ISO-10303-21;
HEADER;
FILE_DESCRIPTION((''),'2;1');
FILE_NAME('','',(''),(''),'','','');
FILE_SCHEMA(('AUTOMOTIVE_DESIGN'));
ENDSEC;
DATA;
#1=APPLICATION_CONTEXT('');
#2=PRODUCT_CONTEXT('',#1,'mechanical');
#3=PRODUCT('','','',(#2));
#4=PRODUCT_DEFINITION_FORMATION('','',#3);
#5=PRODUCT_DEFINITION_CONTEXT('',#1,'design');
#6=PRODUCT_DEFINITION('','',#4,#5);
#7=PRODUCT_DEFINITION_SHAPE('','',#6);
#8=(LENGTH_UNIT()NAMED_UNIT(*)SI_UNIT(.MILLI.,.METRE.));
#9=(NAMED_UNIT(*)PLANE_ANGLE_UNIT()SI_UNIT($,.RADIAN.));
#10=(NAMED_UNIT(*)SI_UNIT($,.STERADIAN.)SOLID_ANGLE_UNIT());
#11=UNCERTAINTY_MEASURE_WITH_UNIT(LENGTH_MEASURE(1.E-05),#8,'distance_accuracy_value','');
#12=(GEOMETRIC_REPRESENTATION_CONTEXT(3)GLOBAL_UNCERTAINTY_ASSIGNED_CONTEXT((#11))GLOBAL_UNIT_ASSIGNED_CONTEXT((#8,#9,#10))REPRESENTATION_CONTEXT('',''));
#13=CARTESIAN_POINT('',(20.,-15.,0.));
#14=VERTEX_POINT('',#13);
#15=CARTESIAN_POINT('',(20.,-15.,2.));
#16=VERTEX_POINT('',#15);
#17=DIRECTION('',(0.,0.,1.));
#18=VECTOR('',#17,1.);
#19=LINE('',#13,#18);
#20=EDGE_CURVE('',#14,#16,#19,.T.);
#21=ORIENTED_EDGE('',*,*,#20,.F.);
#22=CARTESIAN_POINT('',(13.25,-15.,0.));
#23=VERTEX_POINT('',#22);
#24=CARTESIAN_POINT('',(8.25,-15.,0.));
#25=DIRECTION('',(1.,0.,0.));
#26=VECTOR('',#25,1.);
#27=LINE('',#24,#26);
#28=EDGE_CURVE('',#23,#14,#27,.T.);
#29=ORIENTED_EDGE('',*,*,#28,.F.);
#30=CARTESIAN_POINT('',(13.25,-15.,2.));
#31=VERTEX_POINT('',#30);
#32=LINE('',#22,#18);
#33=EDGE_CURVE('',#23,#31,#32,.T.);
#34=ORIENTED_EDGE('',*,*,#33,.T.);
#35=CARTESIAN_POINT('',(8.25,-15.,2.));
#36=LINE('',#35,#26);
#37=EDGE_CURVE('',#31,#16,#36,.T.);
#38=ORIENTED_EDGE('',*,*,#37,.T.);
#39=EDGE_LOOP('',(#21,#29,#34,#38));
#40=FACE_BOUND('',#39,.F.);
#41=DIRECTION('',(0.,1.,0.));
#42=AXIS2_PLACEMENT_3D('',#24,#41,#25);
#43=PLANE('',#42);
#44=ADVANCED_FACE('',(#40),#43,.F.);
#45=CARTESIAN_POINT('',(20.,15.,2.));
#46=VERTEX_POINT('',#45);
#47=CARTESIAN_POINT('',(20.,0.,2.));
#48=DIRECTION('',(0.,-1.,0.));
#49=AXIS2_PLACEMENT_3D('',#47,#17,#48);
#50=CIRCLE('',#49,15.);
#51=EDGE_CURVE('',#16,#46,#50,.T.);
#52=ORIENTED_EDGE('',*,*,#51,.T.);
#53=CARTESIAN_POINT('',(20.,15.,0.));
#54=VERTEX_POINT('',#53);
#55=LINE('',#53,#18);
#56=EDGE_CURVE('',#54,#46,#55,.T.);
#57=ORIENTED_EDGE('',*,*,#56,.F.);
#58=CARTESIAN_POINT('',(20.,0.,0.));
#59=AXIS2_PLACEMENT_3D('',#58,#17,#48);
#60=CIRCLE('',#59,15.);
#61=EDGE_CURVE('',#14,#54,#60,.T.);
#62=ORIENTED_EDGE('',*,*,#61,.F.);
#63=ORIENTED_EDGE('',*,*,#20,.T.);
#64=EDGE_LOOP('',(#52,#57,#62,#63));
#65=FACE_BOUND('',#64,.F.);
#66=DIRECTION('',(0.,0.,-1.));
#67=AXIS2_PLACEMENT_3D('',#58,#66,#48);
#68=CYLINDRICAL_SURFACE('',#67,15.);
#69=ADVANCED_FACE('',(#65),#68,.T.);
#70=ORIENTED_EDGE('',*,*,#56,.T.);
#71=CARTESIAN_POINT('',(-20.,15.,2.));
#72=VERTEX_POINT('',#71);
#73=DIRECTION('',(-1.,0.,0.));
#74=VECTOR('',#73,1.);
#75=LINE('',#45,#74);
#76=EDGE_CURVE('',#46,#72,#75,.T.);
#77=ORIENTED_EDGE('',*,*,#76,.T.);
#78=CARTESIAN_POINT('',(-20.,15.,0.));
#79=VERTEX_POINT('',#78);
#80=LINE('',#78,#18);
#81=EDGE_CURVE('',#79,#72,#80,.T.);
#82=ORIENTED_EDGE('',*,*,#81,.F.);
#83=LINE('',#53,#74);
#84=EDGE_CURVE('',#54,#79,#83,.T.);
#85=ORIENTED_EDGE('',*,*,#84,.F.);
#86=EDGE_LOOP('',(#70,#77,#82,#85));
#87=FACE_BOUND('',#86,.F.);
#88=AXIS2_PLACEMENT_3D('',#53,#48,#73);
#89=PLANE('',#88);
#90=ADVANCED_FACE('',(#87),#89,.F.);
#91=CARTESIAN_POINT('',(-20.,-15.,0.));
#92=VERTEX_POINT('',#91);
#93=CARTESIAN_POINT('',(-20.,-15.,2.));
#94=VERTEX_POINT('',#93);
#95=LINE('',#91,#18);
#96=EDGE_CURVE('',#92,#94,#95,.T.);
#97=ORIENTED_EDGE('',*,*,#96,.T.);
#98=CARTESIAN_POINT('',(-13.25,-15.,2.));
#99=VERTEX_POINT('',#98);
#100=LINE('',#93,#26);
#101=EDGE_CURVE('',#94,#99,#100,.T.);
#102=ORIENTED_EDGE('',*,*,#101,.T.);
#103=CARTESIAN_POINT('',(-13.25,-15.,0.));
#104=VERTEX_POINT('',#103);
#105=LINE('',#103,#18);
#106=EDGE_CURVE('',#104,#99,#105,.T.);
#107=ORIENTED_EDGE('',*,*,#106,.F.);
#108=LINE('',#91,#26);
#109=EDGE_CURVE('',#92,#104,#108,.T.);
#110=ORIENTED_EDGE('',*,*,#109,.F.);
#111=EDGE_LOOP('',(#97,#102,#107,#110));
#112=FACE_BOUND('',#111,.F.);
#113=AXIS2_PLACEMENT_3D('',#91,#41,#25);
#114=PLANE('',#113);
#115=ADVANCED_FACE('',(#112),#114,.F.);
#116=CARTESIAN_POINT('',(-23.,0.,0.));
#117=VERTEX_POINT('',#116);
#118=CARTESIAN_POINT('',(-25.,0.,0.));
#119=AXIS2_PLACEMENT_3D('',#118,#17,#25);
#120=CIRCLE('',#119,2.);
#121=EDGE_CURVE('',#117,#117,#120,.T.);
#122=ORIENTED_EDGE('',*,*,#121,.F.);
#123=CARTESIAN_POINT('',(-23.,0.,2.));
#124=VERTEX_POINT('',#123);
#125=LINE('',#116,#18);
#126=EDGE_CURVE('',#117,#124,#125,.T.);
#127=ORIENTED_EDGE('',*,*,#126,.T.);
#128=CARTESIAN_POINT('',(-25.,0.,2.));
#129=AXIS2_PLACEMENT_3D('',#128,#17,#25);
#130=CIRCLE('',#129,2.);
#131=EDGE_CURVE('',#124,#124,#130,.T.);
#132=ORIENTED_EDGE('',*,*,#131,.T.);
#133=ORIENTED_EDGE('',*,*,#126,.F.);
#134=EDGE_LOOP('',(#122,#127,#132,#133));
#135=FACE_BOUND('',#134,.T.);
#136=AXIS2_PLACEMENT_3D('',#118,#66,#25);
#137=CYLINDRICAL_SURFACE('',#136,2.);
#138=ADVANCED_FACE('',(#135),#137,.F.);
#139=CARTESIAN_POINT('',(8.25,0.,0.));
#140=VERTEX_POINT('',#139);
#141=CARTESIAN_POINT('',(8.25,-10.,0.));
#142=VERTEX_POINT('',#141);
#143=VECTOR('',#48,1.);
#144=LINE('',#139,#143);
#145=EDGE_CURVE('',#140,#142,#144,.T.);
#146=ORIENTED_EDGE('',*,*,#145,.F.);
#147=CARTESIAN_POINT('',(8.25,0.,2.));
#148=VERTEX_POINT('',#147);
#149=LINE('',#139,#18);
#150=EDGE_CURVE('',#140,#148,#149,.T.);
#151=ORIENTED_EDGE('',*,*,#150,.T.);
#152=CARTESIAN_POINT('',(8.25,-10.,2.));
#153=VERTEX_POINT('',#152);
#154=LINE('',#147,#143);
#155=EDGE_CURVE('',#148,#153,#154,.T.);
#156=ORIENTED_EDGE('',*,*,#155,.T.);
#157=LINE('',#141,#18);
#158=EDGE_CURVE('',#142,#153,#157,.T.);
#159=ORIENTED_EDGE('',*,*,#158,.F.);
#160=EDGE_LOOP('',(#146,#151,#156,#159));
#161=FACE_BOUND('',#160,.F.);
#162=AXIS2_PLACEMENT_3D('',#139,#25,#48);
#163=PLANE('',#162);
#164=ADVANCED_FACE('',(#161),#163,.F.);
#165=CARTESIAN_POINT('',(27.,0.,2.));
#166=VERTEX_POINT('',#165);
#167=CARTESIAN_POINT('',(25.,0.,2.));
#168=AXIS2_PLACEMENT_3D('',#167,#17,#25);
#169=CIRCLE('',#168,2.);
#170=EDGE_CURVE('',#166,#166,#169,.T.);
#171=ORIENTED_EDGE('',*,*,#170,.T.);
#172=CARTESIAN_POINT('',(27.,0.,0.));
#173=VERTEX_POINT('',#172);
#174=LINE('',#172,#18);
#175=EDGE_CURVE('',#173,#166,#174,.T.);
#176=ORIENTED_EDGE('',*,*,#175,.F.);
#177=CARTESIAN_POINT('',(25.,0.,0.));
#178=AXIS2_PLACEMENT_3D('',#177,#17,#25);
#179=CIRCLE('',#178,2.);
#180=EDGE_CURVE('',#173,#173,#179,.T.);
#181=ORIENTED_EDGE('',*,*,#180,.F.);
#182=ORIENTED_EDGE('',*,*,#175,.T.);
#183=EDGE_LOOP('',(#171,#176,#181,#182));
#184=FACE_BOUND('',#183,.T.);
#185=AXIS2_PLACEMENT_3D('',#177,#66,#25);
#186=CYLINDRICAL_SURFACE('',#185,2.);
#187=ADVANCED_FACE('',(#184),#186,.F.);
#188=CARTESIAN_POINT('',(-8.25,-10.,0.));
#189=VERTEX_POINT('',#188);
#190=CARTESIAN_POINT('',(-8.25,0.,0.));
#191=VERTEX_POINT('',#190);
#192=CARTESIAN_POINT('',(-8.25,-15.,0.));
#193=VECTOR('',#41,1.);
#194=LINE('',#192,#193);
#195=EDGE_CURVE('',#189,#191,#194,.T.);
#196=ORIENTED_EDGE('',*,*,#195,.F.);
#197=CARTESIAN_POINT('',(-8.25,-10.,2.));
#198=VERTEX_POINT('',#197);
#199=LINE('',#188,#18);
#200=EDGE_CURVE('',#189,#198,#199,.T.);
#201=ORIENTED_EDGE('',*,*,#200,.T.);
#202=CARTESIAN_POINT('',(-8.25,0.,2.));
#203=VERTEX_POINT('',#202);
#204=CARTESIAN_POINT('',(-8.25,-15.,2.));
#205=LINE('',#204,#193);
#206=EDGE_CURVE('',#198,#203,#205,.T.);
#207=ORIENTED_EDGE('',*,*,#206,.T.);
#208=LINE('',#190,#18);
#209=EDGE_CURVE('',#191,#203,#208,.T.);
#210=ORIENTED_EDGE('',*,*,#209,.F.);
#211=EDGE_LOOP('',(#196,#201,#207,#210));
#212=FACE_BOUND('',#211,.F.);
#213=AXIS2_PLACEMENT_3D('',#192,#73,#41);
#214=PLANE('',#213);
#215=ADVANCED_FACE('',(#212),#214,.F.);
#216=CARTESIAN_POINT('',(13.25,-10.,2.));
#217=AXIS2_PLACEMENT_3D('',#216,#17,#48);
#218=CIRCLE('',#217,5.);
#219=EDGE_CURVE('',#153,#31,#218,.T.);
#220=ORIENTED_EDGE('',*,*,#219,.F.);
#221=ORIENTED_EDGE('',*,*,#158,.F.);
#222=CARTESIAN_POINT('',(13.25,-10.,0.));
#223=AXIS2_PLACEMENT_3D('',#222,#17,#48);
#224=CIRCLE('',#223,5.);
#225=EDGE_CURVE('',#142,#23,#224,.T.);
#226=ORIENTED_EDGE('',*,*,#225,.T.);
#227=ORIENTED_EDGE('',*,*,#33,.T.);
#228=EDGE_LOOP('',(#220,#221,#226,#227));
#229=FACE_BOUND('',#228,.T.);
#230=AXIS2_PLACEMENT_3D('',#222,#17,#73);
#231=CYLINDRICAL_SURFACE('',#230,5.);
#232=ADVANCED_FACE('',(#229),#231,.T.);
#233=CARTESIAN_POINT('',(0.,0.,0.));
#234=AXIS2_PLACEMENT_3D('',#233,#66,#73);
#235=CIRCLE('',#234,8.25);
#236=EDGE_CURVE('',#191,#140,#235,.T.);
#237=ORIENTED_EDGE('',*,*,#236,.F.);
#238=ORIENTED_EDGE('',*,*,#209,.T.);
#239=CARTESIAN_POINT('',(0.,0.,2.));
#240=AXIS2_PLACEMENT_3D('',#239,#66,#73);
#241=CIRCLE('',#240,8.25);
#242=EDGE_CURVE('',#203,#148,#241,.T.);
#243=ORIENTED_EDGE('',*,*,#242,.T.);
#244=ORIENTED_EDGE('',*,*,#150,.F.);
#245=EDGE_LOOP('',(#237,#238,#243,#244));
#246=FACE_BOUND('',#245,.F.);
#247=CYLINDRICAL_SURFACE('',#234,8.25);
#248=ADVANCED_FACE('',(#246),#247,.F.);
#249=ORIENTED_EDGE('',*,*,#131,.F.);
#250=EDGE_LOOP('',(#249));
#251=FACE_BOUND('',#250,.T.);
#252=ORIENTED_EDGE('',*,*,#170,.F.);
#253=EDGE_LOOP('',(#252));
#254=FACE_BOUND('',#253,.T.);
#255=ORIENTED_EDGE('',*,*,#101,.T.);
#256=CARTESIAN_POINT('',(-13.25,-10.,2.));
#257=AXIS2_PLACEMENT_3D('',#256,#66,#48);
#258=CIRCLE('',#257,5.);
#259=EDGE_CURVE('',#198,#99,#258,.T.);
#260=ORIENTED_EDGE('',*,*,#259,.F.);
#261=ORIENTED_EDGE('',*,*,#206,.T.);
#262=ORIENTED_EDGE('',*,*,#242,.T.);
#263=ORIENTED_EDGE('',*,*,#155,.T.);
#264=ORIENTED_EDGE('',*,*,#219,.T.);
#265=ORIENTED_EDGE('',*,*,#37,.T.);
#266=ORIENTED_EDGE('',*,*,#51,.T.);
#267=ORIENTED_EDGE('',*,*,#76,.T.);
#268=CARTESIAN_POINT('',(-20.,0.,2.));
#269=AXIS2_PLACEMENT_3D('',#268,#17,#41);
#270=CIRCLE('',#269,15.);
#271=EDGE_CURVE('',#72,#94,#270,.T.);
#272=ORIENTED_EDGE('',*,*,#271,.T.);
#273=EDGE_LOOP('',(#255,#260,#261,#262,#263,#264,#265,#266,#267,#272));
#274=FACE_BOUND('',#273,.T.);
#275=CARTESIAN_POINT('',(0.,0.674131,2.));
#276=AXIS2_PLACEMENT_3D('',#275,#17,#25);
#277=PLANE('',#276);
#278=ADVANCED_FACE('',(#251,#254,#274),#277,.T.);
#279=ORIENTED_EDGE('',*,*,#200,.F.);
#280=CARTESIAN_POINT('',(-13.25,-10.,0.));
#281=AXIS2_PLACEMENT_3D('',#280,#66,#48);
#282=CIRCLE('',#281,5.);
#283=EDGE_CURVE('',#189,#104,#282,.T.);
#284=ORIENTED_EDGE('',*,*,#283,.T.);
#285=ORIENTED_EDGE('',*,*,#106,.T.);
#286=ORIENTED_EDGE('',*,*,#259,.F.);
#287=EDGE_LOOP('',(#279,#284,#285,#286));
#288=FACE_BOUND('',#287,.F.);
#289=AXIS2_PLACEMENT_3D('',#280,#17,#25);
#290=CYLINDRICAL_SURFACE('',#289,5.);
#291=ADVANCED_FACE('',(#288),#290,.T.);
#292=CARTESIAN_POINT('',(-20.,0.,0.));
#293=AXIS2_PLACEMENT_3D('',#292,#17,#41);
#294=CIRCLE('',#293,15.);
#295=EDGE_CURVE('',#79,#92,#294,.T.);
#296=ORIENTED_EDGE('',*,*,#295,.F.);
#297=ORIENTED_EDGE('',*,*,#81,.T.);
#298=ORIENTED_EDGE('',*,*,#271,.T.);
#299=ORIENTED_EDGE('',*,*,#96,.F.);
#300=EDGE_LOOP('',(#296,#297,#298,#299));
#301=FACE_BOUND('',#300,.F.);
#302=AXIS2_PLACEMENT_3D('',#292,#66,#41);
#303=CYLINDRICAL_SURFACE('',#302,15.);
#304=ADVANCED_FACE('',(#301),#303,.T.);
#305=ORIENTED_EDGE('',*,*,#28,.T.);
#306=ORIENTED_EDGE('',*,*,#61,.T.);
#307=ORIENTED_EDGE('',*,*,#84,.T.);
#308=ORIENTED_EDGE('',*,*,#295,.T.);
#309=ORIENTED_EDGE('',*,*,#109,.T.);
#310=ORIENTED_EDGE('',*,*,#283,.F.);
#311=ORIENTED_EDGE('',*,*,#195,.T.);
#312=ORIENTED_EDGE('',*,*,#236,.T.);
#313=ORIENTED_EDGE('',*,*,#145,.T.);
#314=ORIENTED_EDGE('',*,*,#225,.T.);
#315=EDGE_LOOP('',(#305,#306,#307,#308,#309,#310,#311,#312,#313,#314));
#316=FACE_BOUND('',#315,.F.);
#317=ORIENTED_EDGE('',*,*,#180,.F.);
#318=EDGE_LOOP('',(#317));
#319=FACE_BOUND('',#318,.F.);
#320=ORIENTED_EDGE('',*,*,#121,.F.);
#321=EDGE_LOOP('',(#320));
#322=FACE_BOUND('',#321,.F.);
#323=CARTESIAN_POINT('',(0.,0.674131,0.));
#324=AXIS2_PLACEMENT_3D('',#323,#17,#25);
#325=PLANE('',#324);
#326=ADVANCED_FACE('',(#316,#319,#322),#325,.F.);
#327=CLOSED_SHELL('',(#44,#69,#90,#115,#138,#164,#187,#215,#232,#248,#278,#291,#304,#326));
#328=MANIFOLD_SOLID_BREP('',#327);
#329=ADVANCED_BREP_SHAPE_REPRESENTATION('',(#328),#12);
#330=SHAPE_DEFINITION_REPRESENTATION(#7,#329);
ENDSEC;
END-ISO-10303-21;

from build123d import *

# Parameters (mm, degrees)
F0_R     = 2
F1_DEPTH = 2
F2_R     = 5


with BuildPart() as f1:
    # F0 (on Top) → F1 (new body)
    with BuildSketch(Plane.XY):
        with BuildLine():
            ThreePointArc((-8.25, 0), (0, 8.25), (8.25, 0))
            Line((8.25, 0), (8.25, -15))
            Line((8.25, -15), (20, -15))
            ThreePointArc((20, -15), (35, 0), (20, 15))
            Line((20, 15), (-20, 15))
            ThreePointArc((-20, 15), (-35, 0), (-20, -15))
            Line((-20, -15), (-8.25, -15))
            Line((-8.25, -15), (-8.25, 0))
        make_face()
        with Locations((-25, 0)):
            Circle(F0_R, mode=Mode.SUBTRACT)
        with Locations((25, 0)):
            Circle(F0_R, mode=Mode.SUBTRACT)
    extrude(amount=F1_DEPTH)

    # F2
    f2_edges = [f1.edges().sort_by_distance(p)[0] for p in [
        (-8.25, -15, 1),
        (8.25, -15, 1),
    ]]
    fillet(f2_edges, radius=F2_R)


solid = f1.part
